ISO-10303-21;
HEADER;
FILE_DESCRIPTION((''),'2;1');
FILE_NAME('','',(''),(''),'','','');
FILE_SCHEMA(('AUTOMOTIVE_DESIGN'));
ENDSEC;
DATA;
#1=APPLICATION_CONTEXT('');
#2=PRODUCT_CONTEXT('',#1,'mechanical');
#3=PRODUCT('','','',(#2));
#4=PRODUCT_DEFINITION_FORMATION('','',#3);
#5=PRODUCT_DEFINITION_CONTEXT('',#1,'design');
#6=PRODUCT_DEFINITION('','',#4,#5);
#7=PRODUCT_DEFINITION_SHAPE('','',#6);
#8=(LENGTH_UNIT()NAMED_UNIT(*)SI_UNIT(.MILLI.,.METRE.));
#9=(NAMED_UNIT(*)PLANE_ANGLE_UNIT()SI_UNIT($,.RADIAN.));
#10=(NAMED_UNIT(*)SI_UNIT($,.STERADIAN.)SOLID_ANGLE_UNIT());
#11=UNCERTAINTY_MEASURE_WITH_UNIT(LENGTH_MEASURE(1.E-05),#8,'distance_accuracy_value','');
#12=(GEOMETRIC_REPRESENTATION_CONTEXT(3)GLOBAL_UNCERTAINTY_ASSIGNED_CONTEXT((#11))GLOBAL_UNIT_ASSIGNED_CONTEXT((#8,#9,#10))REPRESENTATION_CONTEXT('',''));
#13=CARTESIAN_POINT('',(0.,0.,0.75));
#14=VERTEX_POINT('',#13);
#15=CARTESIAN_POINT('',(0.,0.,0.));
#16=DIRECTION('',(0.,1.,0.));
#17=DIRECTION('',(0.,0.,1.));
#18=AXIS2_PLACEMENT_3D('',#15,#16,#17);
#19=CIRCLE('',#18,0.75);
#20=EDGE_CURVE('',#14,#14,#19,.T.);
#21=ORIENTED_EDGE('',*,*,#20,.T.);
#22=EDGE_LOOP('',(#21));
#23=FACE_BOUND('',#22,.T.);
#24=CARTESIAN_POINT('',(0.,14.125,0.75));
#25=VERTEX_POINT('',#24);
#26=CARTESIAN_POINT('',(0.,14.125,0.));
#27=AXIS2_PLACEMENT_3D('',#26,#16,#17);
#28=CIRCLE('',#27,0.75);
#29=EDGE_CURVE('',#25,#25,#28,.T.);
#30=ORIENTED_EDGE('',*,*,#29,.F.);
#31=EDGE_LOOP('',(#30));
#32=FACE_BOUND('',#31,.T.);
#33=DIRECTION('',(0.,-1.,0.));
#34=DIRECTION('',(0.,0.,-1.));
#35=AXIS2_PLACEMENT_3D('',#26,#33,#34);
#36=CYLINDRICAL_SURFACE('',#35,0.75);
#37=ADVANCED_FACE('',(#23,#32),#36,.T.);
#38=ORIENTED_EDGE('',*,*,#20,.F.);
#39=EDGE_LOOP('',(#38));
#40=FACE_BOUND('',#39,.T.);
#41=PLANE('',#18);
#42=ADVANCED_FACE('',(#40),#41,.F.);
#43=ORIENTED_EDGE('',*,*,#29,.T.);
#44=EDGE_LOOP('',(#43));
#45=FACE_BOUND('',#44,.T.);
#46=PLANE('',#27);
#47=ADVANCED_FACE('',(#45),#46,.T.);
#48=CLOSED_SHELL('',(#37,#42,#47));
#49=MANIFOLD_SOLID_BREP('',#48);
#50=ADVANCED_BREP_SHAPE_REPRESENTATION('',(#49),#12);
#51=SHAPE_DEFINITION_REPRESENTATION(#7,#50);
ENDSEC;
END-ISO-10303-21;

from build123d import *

# Parameters (mm, degrees)
SKETCH1_R           = 0.75
BOSS_EXTRUDE1_DEPTH = 14.125


with BuildPart() as part:
    # Sketch1 → Boss-Extrude1 (new body)
    with BuildSketch(Plane(origin=(0, 0, 0), x_dir=(1, 0, 0), z_dir=(0, 1, 0))):
        Circle(SKETCH1_R)
    extrude(amount=BOSS_EXTRUDE1_DEPTH)


solid = part.part
